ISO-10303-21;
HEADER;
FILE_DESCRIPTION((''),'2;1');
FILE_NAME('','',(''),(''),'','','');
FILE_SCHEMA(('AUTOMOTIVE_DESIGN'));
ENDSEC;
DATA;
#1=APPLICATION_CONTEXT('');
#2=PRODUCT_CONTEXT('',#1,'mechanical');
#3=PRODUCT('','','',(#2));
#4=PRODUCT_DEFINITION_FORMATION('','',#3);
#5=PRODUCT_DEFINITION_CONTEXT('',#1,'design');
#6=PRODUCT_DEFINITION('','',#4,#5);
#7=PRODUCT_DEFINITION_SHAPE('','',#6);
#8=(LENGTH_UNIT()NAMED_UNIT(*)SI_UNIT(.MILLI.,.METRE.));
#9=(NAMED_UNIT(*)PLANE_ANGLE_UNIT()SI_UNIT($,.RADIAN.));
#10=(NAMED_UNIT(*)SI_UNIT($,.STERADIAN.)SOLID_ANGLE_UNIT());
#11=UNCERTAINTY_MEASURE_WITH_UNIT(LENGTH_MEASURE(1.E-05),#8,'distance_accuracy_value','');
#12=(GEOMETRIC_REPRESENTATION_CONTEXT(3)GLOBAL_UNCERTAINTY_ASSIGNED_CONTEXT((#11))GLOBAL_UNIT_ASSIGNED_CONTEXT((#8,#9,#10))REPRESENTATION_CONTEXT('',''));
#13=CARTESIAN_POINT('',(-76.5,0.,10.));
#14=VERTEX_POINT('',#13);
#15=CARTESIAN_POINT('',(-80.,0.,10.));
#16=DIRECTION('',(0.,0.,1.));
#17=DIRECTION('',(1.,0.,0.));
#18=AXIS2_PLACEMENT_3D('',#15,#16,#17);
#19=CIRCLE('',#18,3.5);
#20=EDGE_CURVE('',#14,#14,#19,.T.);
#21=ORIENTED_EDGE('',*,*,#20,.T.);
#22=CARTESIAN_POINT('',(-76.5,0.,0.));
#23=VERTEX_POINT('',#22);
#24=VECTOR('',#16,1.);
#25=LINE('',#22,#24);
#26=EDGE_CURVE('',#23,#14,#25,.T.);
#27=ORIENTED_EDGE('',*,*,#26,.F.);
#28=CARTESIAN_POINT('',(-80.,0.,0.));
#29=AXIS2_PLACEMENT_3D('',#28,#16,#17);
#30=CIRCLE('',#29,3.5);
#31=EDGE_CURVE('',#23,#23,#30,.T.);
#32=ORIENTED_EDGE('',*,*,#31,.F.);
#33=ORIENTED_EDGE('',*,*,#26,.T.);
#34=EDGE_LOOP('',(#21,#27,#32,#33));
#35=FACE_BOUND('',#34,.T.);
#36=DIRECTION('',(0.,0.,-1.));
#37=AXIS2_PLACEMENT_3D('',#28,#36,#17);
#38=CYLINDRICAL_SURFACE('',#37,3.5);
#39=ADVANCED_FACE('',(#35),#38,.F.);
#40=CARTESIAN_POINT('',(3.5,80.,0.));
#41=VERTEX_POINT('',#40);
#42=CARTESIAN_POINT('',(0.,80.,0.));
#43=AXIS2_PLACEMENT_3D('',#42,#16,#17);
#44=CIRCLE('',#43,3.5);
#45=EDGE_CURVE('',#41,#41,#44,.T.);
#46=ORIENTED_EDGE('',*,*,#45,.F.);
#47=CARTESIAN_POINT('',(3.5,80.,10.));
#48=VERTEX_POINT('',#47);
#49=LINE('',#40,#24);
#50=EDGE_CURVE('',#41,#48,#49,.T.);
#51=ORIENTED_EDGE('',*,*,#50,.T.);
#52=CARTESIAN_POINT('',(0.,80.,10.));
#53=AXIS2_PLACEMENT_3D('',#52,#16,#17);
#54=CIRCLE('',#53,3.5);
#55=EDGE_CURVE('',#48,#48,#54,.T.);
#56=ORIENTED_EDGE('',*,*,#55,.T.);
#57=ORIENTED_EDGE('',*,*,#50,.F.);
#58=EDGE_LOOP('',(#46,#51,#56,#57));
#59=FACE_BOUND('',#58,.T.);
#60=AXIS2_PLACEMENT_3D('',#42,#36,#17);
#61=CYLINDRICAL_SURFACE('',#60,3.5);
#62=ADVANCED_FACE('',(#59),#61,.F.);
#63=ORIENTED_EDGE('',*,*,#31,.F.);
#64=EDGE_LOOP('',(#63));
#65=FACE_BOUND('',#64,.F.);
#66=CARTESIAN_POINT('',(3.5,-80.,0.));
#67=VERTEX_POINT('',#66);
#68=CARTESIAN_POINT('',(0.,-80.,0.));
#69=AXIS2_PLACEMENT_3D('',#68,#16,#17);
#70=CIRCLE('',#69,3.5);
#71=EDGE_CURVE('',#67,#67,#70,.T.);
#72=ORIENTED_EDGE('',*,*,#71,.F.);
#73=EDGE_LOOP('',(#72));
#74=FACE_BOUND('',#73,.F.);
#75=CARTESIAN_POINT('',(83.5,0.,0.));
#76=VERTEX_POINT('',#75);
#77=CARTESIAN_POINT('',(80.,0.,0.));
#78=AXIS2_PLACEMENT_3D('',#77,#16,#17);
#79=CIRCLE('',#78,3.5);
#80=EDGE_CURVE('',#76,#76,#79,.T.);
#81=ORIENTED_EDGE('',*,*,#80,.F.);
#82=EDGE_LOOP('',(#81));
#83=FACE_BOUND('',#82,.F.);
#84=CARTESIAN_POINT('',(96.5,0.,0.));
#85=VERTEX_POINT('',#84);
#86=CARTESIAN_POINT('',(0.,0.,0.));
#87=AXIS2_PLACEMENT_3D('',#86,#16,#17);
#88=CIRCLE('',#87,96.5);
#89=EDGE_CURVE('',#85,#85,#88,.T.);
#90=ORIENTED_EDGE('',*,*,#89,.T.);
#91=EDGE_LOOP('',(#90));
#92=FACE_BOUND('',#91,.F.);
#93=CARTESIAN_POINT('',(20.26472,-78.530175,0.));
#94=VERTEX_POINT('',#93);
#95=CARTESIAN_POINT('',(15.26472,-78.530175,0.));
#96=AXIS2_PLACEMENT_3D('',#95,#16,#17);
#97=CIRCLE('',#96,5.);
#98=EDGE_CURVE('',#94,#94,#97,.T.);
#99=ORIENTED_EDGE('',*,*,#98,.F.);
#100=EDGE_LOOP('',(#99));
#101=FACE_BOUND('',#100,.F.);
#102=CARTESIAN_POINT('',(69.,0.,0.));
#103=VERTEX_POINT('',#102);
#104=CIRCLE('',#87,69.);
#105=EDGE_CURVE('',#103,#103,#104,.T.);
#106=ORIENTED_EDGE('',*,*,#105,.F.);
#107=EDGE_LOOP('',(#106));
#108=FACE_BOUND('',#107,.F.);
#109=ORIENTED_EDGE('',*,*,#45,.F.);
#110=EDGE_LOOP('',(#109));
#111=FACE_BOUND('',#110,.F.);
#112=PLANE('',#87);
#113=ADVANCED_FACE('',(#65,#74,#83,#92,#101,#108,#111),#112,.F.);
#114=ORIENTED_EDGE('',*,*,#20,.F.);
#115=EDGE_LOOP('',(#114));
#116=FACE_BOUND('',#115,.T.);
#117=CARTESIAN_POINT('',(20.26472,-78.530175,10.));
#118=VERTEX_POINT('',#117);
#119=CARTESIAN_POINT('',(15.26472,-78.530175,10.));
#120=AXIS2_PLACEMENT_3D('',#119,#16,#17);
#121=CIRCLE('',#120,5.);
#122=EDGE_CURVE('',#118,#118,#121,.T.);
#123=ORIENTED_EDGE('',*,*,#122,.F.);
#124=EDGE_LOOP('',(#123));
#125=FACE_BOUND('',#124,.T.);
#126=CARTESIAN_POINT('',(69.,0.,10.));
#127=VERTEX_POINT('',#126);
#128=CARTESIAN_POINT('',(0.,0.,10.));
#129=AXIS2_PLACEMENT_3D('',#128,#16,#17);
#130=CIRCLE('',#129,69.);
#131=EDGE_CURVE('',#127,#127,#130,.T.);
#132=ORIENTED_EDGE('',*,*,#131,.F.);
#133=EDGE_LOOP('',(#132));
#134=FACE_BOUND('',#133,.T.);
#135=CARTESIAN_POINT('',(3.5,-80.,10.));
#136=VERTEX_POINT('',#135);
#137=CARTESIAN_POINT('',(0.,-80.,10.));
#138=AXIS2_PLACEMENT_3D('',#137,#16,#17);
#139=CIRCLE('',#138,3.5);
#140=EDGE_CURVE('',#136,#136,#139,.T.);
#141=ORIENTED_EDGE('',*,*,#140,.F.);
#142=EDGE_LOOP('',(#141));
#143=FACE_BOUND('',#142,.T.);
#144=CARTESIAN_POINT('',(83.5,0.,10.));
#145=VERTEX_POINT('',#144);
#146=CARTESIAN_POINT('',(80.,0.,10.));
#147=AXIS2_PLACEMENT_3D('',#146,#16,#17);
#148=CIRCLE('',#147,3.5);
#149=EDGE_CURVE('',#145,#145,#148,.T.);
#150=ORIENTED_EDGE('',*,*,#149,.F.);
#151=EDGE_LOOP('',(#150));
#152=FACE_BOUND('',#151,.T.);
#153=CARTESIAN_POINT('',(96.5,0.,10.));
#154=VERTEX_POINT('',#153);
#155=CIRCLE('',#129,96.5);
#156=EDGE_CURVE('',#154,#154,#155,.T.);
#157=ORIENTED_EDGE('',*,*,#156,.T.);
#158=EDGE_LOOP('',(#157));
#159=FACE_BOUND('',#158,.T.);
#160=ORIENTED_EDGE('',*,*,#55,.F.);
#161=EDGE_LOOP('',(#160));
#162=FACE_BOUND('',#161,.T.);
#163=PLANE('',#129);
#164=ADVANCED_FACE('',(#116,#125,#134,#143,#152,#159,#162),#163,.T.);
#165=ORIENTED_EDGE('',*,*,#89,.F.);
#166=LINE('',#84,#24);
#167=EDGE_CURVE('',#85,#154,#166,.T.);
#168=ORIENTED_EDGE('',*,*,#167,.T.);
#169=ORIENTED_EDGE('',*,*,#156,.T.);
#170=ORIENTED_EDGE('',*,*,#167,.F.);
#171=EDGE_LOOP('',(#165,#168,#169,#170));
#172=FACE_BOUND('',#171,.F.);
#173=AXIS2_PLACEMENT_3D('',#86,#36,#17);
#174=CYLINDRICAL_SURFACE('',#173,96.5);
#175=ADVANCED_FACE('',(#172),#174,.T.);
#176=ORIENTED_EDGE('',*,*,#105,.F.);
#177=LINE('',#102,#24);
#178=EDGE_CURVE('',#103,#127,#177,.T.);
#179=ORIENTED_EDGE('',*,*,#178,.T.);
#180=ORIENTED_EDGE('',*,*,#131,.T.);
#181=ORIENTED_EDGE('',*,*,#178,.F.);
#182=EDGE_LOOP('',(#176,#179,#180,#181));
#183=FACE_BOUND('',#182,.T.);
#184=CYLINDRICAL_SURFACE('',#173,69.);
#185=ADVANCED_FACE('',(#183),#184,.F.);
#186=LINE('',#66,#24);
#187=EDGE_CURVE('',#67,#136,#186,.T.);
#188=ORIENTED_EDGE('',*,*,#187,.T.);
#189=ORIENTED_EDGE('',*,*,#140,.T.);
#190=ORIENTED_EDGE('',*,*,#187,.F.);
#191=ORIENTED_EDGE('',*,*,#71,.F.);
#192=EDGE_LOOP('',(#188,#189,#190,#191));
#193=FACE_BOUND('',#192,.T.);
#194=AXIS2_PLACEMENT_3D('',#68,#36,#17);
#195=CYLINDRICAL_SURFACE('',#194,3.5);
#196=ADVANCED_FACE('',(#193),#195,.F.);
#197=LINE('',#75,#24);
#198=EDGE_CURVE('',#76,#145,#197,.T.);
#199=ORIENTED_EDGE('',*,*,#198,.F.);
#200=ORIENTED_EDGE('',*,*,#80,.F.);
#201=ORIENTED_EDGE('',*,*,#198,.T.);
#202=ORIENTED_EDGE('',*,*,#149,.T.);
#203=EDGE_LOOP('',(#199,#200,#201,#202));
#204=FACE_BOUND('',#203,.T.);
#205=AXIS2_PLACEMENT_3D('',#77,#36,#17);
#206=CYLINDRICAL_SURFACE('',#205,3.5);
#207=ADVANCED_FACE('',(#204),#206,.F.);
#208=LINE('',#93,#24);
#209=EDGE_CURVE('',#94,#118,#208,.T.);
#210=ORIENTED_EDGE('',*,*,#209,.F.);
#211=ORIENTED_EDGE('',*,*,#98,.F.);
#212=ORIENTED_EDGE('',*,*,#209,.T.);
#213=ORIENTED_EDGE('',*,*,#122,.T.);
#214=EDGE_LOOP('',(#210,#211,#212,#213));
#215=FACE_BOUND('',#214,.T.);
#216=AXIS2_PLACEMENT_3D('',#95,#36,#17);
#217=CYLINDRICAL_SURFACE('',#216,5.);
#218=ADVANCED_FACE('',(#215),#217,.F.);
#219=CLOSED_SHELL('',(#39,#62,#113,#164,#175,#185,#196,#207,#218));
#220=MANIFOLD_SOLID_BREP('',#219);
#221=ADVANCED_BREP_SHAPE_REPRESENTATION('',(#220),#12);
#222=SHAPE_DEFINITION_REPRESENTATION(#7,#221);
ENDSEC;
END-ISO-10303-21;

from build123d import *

# Parameters (mm, degrees)
F0_R     = 96.5
F0_R_2   = 3.5
F0_R_3   = 5
F0_R_4   = 69
F1_DEPTH = 10


with BuildPart() as f1:
    # F0 (on Top) → F1 (new body)
    with BuildSketch(Plane.XY):
        Circle(F0_R)
        with Locations((0, -80)):
            Circle(F0_R_2, mode=Mode.SUBTRACT)
        with Locations((15.26472, -78.530175)):
            Circle(F0_R_3, mode=Mode.SUBTRACT)
        with Locations((-80, 0)):
            Circle(F0_R_2, mode=Mode.SUBTRACT)
        Circle(F0_R_4, mode=Mode.SUBTRACT)
        with Locations((80, 0)):
            Circle(F0_R_2, mode=Mode.SUBTRACT)
        with Locations((0, 80)):
            Circle(F0_R_2, mode=Mode.SUBTRACT)
    extrude(amount=F1_DEPTH)


solid = f1.part
